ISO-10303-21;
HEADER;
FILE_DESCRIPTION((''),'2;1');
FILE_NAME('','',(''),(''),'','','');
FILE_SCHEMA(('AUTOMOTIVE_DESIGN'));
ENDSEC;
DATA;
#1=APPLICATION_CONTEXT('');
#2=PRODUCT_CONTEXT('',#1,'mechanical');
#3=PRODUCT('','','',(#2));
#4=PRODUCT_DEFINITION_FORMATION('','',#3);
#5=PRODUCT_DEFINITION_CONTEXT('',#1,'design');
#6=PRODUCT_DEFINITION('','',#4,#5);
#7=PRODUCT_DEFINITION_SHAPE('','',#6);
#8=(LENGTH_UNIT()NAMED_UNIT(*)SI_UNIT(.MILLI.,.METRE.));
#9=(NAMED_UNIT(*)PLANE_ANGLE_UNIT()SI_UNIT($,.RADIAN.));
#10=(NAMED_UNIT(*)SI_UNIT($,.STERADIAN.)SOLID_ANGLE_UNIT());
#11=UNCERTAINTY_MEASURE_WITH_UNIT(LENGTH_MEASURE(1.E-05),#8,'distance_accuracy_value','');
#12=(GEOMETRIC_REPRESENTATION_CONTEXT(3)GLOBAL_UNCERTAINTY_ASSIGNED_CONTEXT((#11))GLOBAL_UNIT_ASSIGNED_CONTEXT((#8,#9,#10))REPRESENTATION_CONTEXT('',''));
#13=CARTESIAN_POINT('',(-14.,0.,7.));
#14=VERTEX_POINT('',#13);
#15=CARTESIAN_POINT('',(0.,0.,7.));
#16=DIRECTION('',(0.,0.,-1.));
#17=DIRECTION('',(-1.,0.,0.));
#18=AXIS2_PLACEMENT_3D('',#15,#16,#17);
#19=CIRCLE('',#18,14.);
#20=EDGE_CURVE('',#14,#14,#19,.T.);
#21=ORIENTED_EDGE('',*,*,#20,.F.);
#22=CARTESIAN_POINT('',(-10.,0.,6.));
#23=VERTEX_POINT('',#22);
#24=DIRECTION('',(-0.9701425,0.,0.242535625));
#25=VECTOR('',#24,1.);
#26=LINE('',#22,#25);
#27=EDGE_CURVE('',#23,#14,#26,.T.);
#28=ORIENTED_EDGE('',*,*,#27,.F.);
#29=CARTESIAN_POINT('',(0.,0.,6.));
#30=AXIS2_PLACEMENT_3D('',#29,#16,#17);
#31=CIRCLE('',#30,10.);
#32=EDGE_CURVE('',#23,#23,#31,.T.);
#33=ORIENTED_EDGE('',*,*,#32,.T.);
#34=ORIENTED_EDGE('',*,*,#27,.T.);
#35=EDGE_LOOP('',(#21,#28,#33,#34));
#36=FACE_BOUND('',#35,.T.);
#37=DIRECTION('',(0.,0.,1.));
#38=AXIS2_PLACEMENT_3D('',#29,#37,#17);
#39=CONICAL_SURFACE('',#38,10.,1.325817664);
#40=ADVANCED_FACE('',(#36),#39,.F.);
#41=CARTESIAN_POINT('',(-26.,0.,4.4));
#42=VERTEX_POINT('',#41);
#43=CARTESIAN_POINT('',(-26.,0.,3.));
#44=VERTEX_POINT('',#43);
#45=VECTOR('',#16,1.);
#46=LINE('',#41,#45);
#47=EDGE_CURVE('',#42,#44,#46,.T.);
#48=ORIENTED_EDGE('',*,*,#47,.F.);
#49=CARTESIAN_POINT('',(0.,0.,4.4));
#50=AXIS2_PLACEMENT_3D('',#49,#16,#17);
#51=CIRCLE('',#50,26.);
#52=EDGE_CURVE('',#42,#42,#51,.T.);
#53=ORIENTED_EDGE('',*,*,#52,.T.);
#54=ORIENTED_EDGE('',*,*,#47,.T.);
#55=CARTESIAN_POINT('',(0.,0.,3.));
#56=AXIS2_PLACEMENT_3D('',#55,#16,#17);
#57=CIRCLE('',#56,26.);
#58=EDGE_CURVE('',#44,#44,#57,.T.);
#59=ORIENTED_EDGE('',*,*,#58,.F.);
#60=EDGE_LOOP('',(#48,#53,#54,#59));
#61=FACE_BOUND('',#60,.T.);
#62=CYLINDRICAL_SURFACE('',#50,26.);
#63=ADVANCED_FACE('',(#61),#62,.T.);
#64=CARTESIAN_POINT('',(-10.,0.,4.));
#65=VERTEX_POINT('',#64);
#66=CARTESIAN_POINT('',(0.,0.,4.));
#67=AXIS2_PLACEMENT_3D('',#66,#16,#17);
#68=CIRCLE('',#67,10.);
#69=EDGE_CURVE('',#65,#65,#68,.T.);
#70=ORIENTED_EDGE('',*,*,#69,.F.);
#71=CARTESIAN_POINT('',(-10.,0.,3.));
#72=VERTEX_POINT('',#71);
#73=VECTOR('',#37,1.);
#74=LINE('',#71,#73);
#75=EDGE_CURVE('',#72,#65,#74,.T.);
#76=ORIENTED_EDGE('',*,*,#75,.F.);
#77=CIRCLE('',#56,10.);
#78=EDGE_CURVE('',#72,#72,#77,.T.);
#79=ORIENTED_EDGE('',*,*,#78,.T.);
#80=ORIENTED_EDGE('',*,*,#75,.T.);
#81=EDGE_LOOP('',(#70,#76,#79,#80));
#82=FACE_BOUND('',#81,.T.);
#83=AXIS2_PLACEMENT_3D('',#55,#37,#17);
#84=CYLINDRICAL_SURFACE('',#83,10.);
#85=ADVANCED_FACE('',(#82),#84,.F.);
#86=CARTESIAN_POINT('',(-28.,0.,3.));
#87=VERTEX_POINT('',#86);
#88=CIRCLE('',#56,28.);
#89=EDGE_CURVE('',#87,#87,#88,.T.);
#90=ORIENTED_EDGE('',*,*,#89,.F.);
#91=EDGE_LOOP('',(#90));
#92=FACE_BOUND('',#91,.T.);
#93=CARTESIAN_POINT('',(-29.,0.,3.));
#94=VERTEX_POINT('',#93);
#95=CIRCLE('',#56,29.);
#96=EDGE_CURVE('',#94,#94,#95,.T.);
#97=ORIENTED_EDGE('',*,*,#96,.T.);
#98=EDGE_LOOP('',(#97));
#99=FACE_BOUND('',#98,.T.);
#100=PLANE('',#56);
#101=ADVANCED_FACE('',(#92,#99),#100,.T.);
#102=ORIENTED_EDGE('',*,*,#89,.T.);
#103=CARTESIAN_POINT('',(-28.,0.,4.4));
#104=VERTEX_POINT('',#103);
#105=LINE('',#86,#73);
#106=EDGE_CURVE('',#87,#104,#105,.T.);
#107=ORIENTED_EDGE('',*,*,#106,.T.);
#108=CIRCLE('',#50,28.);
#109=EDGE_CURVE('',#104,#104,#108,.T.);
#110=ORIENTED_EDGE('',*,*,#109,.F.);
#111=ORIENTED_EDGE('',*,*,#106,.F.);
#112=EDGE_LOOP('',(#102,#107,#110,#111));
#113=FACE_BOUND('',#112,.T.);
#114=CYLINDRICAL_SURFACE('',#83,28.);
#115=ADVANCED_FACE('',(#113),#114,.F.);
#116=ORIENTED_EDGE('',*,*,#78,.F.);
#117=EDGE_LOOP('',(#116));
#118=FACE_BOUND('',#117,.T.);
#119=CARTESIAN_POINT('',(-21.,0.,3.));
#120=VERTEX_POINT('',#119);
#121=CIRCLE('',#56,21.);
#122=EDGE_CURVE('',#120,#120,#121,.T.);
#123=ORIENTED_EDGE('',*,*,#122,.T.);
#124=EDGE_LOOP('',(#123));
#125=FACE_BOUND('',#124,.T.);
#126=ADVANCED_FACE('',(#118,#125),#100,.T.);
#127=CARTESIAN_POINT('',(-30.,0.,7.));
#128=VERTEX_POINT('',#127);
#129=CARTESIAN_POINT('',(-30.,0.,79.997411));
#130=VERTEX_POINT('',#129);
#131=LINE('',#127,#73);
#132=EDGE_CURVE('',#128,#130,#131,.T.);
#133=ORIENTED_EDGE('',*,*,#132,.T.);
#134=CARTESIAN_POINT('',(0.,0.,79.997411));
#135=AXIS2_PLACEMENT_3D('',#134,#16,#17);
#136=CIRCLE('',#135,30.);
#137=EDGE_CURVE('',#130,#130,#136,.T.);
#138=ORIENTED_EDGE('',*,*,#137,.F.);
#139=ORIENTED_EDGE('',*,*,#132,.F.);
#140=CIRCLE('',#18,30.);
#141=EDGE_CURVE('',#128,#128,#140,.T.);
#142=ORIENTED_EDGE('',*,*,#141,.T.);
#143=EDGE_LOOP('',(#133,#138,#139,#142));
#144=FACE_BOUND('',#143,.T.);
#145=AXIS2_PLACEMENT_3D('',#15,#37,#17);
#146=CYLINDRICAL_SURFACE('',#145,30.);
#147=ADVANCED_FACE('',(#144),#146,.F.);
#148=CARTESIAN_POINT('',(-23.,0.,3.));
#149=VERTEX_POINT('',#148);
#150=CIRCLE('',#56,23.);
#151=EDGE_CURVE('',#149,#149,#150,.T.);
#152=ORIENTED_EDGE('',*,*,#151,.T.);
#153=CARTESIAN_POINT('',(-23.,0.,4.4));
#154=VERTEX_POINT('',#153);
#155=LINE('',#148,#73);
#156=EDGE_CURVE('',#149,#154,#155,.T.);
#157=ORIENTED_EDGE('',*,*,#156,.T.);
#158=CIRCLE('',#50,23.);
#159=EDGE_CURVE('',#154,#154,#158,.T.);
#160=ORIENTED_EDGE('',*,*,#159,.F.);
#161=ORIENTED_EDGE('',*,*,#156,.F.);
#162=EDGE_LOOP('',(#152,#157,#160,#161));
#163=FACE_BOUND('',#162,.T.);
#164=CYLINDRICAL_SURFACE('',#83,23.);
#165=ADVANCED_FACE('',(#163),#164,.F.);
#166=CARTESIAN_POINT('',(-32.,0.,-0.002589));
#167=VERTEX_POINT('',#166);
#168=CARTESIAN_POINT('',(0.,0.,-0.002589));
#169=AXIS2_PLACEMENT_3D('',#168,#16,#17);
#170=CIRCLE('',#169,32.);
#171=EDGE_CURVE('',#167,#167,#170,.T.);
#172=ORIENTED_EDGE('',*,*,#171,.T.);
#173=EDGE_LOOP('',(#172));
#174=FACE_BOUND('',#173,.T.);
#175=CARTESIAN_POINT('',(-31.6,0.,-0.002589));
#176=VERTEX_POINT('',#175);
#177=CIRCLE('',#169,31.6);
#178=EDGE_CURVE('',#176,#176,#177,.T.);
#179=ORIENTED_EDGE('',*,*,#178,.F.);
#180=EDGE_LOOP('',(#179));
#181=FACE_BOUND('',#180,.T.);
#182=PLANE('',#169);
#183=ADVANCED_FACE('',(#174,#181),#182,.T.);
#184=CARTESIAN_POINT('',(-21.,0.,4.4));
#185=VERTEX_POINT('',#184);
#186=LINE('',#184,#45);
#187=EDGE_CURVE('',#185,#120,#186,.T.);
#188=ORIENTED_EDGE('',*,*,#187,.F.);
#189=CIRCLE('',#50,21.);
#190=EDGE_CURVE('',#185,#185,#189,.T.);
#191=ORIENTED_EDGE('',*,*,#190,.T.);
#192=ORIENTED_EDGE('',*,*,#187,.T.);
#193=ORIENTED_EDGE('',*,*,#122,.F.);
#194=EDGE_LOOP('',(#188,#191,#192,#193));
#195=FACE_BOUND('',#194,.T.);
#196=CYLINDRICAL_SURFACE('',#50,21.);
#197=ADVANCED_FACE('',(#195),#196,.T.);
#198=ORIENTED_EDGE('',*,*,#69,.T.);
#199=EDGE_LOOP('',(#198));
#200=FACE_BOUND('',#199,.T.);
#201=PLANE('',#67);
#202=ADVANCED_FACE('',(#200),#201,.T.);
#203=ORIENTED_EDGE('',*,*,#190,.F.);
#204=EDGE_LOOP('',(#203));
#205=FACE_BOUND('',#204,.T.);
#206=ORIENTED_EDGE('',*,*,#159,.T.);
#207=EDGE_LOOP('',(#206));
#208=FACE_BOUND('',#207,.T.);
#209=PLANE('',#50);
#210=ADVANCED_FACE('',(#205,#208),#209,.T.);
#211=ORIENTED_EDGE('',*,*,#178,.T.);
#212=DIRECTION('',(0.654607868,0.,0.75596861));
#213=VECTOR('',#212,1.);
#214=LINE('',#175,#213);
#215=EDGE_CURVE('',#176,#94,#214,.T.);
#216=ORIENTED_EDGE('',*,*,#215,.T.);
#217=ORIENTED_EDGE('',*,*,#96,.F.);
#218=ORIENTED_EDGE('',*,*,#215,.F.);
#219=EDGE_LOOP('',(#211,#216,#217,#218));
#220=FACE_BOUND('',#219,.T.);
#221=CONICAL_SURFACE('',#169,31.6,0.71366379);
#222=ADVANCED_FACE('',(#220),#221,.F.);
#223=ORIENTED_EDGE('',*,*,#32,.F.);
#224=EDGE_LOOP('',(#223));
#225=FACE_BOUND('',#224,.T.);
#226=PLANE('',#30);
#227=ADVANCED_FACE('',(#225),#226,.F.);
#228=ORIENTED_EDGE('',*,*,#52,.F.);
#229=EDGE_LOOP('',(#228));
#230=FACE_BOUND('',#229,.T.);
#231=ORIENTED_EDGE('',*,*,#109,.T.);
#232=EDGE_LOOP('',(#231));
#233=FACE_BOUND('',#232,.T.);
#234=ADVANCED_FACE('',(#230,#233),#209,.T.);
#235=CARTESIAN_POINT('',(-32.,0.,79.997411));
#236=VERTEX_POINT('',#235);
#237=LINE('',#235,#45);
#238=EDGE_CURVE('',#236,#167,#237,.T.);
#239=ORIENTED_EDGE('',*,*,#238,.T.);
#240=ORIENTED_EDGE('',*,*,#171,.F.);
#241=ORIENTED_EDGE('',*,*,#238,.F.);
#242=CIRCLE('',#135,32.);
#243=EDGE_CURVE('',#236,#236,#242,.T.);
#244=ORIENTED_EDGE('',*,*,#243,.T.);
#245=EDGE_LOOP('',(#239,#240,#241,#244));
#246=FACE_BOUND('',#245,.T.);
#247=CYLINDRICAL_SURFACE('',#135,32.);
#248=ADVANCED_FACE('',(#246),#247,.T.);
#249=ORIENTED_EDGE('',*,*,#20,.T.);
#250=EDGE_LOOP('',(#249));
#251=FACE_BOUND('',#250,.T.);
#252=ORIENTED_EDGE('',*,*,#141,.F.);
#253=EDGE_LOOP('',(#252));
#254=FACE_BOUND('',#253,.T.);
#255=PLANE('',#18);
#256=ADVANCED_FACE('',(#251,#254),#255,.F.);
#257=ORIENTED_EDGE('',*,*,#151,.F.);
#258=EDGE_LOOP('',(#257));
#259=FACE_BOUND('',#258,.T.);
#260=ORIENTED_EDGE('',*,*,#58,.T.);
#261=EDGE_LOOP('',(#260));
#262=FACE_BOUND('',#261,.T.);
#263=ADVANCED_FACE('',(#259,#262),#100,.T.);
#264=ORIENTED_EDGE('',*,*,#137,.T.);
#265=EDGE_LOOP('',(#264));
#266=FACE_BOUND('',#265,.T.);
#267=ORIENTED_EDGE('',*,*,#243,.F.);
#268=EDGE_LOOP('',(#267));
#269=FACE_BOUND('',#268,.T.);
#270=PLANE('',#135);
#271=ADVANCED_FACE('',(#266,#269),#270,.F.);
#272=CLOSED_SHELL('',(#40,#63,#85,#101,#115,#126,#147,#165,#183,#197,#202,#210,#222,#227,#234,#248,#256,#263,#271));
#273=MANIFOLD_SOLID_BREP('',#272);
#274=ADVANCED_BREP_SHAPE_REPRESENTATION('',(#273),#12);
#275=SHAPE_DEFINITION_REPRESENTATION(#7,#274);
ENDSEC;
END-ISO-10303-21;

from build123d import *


with BuildPart() as f1:
    # F0 (on Front) → F1 (revolve)
    with BuildSketch(Plane.XZ):
        Polygon((-10, 4), (0, 4), (0, 6), (-10, 6), (-14, 7), (-30, 7), (-30, 79.997411), (-32, 79.997411), (-32, -0.002589), (-31.6, -0.002589), (-29, 3), (-28, 3), (-28, 4.4), (-26, 4.4), (-26, 3), (-23, 3), (-23, 4.4), (-21, 4.4), (-21, 3), (-10, 3), align=None)
    revolve(axis=Axis((0, 0, 5), (0, 0, -1)))


solid = f1.part
